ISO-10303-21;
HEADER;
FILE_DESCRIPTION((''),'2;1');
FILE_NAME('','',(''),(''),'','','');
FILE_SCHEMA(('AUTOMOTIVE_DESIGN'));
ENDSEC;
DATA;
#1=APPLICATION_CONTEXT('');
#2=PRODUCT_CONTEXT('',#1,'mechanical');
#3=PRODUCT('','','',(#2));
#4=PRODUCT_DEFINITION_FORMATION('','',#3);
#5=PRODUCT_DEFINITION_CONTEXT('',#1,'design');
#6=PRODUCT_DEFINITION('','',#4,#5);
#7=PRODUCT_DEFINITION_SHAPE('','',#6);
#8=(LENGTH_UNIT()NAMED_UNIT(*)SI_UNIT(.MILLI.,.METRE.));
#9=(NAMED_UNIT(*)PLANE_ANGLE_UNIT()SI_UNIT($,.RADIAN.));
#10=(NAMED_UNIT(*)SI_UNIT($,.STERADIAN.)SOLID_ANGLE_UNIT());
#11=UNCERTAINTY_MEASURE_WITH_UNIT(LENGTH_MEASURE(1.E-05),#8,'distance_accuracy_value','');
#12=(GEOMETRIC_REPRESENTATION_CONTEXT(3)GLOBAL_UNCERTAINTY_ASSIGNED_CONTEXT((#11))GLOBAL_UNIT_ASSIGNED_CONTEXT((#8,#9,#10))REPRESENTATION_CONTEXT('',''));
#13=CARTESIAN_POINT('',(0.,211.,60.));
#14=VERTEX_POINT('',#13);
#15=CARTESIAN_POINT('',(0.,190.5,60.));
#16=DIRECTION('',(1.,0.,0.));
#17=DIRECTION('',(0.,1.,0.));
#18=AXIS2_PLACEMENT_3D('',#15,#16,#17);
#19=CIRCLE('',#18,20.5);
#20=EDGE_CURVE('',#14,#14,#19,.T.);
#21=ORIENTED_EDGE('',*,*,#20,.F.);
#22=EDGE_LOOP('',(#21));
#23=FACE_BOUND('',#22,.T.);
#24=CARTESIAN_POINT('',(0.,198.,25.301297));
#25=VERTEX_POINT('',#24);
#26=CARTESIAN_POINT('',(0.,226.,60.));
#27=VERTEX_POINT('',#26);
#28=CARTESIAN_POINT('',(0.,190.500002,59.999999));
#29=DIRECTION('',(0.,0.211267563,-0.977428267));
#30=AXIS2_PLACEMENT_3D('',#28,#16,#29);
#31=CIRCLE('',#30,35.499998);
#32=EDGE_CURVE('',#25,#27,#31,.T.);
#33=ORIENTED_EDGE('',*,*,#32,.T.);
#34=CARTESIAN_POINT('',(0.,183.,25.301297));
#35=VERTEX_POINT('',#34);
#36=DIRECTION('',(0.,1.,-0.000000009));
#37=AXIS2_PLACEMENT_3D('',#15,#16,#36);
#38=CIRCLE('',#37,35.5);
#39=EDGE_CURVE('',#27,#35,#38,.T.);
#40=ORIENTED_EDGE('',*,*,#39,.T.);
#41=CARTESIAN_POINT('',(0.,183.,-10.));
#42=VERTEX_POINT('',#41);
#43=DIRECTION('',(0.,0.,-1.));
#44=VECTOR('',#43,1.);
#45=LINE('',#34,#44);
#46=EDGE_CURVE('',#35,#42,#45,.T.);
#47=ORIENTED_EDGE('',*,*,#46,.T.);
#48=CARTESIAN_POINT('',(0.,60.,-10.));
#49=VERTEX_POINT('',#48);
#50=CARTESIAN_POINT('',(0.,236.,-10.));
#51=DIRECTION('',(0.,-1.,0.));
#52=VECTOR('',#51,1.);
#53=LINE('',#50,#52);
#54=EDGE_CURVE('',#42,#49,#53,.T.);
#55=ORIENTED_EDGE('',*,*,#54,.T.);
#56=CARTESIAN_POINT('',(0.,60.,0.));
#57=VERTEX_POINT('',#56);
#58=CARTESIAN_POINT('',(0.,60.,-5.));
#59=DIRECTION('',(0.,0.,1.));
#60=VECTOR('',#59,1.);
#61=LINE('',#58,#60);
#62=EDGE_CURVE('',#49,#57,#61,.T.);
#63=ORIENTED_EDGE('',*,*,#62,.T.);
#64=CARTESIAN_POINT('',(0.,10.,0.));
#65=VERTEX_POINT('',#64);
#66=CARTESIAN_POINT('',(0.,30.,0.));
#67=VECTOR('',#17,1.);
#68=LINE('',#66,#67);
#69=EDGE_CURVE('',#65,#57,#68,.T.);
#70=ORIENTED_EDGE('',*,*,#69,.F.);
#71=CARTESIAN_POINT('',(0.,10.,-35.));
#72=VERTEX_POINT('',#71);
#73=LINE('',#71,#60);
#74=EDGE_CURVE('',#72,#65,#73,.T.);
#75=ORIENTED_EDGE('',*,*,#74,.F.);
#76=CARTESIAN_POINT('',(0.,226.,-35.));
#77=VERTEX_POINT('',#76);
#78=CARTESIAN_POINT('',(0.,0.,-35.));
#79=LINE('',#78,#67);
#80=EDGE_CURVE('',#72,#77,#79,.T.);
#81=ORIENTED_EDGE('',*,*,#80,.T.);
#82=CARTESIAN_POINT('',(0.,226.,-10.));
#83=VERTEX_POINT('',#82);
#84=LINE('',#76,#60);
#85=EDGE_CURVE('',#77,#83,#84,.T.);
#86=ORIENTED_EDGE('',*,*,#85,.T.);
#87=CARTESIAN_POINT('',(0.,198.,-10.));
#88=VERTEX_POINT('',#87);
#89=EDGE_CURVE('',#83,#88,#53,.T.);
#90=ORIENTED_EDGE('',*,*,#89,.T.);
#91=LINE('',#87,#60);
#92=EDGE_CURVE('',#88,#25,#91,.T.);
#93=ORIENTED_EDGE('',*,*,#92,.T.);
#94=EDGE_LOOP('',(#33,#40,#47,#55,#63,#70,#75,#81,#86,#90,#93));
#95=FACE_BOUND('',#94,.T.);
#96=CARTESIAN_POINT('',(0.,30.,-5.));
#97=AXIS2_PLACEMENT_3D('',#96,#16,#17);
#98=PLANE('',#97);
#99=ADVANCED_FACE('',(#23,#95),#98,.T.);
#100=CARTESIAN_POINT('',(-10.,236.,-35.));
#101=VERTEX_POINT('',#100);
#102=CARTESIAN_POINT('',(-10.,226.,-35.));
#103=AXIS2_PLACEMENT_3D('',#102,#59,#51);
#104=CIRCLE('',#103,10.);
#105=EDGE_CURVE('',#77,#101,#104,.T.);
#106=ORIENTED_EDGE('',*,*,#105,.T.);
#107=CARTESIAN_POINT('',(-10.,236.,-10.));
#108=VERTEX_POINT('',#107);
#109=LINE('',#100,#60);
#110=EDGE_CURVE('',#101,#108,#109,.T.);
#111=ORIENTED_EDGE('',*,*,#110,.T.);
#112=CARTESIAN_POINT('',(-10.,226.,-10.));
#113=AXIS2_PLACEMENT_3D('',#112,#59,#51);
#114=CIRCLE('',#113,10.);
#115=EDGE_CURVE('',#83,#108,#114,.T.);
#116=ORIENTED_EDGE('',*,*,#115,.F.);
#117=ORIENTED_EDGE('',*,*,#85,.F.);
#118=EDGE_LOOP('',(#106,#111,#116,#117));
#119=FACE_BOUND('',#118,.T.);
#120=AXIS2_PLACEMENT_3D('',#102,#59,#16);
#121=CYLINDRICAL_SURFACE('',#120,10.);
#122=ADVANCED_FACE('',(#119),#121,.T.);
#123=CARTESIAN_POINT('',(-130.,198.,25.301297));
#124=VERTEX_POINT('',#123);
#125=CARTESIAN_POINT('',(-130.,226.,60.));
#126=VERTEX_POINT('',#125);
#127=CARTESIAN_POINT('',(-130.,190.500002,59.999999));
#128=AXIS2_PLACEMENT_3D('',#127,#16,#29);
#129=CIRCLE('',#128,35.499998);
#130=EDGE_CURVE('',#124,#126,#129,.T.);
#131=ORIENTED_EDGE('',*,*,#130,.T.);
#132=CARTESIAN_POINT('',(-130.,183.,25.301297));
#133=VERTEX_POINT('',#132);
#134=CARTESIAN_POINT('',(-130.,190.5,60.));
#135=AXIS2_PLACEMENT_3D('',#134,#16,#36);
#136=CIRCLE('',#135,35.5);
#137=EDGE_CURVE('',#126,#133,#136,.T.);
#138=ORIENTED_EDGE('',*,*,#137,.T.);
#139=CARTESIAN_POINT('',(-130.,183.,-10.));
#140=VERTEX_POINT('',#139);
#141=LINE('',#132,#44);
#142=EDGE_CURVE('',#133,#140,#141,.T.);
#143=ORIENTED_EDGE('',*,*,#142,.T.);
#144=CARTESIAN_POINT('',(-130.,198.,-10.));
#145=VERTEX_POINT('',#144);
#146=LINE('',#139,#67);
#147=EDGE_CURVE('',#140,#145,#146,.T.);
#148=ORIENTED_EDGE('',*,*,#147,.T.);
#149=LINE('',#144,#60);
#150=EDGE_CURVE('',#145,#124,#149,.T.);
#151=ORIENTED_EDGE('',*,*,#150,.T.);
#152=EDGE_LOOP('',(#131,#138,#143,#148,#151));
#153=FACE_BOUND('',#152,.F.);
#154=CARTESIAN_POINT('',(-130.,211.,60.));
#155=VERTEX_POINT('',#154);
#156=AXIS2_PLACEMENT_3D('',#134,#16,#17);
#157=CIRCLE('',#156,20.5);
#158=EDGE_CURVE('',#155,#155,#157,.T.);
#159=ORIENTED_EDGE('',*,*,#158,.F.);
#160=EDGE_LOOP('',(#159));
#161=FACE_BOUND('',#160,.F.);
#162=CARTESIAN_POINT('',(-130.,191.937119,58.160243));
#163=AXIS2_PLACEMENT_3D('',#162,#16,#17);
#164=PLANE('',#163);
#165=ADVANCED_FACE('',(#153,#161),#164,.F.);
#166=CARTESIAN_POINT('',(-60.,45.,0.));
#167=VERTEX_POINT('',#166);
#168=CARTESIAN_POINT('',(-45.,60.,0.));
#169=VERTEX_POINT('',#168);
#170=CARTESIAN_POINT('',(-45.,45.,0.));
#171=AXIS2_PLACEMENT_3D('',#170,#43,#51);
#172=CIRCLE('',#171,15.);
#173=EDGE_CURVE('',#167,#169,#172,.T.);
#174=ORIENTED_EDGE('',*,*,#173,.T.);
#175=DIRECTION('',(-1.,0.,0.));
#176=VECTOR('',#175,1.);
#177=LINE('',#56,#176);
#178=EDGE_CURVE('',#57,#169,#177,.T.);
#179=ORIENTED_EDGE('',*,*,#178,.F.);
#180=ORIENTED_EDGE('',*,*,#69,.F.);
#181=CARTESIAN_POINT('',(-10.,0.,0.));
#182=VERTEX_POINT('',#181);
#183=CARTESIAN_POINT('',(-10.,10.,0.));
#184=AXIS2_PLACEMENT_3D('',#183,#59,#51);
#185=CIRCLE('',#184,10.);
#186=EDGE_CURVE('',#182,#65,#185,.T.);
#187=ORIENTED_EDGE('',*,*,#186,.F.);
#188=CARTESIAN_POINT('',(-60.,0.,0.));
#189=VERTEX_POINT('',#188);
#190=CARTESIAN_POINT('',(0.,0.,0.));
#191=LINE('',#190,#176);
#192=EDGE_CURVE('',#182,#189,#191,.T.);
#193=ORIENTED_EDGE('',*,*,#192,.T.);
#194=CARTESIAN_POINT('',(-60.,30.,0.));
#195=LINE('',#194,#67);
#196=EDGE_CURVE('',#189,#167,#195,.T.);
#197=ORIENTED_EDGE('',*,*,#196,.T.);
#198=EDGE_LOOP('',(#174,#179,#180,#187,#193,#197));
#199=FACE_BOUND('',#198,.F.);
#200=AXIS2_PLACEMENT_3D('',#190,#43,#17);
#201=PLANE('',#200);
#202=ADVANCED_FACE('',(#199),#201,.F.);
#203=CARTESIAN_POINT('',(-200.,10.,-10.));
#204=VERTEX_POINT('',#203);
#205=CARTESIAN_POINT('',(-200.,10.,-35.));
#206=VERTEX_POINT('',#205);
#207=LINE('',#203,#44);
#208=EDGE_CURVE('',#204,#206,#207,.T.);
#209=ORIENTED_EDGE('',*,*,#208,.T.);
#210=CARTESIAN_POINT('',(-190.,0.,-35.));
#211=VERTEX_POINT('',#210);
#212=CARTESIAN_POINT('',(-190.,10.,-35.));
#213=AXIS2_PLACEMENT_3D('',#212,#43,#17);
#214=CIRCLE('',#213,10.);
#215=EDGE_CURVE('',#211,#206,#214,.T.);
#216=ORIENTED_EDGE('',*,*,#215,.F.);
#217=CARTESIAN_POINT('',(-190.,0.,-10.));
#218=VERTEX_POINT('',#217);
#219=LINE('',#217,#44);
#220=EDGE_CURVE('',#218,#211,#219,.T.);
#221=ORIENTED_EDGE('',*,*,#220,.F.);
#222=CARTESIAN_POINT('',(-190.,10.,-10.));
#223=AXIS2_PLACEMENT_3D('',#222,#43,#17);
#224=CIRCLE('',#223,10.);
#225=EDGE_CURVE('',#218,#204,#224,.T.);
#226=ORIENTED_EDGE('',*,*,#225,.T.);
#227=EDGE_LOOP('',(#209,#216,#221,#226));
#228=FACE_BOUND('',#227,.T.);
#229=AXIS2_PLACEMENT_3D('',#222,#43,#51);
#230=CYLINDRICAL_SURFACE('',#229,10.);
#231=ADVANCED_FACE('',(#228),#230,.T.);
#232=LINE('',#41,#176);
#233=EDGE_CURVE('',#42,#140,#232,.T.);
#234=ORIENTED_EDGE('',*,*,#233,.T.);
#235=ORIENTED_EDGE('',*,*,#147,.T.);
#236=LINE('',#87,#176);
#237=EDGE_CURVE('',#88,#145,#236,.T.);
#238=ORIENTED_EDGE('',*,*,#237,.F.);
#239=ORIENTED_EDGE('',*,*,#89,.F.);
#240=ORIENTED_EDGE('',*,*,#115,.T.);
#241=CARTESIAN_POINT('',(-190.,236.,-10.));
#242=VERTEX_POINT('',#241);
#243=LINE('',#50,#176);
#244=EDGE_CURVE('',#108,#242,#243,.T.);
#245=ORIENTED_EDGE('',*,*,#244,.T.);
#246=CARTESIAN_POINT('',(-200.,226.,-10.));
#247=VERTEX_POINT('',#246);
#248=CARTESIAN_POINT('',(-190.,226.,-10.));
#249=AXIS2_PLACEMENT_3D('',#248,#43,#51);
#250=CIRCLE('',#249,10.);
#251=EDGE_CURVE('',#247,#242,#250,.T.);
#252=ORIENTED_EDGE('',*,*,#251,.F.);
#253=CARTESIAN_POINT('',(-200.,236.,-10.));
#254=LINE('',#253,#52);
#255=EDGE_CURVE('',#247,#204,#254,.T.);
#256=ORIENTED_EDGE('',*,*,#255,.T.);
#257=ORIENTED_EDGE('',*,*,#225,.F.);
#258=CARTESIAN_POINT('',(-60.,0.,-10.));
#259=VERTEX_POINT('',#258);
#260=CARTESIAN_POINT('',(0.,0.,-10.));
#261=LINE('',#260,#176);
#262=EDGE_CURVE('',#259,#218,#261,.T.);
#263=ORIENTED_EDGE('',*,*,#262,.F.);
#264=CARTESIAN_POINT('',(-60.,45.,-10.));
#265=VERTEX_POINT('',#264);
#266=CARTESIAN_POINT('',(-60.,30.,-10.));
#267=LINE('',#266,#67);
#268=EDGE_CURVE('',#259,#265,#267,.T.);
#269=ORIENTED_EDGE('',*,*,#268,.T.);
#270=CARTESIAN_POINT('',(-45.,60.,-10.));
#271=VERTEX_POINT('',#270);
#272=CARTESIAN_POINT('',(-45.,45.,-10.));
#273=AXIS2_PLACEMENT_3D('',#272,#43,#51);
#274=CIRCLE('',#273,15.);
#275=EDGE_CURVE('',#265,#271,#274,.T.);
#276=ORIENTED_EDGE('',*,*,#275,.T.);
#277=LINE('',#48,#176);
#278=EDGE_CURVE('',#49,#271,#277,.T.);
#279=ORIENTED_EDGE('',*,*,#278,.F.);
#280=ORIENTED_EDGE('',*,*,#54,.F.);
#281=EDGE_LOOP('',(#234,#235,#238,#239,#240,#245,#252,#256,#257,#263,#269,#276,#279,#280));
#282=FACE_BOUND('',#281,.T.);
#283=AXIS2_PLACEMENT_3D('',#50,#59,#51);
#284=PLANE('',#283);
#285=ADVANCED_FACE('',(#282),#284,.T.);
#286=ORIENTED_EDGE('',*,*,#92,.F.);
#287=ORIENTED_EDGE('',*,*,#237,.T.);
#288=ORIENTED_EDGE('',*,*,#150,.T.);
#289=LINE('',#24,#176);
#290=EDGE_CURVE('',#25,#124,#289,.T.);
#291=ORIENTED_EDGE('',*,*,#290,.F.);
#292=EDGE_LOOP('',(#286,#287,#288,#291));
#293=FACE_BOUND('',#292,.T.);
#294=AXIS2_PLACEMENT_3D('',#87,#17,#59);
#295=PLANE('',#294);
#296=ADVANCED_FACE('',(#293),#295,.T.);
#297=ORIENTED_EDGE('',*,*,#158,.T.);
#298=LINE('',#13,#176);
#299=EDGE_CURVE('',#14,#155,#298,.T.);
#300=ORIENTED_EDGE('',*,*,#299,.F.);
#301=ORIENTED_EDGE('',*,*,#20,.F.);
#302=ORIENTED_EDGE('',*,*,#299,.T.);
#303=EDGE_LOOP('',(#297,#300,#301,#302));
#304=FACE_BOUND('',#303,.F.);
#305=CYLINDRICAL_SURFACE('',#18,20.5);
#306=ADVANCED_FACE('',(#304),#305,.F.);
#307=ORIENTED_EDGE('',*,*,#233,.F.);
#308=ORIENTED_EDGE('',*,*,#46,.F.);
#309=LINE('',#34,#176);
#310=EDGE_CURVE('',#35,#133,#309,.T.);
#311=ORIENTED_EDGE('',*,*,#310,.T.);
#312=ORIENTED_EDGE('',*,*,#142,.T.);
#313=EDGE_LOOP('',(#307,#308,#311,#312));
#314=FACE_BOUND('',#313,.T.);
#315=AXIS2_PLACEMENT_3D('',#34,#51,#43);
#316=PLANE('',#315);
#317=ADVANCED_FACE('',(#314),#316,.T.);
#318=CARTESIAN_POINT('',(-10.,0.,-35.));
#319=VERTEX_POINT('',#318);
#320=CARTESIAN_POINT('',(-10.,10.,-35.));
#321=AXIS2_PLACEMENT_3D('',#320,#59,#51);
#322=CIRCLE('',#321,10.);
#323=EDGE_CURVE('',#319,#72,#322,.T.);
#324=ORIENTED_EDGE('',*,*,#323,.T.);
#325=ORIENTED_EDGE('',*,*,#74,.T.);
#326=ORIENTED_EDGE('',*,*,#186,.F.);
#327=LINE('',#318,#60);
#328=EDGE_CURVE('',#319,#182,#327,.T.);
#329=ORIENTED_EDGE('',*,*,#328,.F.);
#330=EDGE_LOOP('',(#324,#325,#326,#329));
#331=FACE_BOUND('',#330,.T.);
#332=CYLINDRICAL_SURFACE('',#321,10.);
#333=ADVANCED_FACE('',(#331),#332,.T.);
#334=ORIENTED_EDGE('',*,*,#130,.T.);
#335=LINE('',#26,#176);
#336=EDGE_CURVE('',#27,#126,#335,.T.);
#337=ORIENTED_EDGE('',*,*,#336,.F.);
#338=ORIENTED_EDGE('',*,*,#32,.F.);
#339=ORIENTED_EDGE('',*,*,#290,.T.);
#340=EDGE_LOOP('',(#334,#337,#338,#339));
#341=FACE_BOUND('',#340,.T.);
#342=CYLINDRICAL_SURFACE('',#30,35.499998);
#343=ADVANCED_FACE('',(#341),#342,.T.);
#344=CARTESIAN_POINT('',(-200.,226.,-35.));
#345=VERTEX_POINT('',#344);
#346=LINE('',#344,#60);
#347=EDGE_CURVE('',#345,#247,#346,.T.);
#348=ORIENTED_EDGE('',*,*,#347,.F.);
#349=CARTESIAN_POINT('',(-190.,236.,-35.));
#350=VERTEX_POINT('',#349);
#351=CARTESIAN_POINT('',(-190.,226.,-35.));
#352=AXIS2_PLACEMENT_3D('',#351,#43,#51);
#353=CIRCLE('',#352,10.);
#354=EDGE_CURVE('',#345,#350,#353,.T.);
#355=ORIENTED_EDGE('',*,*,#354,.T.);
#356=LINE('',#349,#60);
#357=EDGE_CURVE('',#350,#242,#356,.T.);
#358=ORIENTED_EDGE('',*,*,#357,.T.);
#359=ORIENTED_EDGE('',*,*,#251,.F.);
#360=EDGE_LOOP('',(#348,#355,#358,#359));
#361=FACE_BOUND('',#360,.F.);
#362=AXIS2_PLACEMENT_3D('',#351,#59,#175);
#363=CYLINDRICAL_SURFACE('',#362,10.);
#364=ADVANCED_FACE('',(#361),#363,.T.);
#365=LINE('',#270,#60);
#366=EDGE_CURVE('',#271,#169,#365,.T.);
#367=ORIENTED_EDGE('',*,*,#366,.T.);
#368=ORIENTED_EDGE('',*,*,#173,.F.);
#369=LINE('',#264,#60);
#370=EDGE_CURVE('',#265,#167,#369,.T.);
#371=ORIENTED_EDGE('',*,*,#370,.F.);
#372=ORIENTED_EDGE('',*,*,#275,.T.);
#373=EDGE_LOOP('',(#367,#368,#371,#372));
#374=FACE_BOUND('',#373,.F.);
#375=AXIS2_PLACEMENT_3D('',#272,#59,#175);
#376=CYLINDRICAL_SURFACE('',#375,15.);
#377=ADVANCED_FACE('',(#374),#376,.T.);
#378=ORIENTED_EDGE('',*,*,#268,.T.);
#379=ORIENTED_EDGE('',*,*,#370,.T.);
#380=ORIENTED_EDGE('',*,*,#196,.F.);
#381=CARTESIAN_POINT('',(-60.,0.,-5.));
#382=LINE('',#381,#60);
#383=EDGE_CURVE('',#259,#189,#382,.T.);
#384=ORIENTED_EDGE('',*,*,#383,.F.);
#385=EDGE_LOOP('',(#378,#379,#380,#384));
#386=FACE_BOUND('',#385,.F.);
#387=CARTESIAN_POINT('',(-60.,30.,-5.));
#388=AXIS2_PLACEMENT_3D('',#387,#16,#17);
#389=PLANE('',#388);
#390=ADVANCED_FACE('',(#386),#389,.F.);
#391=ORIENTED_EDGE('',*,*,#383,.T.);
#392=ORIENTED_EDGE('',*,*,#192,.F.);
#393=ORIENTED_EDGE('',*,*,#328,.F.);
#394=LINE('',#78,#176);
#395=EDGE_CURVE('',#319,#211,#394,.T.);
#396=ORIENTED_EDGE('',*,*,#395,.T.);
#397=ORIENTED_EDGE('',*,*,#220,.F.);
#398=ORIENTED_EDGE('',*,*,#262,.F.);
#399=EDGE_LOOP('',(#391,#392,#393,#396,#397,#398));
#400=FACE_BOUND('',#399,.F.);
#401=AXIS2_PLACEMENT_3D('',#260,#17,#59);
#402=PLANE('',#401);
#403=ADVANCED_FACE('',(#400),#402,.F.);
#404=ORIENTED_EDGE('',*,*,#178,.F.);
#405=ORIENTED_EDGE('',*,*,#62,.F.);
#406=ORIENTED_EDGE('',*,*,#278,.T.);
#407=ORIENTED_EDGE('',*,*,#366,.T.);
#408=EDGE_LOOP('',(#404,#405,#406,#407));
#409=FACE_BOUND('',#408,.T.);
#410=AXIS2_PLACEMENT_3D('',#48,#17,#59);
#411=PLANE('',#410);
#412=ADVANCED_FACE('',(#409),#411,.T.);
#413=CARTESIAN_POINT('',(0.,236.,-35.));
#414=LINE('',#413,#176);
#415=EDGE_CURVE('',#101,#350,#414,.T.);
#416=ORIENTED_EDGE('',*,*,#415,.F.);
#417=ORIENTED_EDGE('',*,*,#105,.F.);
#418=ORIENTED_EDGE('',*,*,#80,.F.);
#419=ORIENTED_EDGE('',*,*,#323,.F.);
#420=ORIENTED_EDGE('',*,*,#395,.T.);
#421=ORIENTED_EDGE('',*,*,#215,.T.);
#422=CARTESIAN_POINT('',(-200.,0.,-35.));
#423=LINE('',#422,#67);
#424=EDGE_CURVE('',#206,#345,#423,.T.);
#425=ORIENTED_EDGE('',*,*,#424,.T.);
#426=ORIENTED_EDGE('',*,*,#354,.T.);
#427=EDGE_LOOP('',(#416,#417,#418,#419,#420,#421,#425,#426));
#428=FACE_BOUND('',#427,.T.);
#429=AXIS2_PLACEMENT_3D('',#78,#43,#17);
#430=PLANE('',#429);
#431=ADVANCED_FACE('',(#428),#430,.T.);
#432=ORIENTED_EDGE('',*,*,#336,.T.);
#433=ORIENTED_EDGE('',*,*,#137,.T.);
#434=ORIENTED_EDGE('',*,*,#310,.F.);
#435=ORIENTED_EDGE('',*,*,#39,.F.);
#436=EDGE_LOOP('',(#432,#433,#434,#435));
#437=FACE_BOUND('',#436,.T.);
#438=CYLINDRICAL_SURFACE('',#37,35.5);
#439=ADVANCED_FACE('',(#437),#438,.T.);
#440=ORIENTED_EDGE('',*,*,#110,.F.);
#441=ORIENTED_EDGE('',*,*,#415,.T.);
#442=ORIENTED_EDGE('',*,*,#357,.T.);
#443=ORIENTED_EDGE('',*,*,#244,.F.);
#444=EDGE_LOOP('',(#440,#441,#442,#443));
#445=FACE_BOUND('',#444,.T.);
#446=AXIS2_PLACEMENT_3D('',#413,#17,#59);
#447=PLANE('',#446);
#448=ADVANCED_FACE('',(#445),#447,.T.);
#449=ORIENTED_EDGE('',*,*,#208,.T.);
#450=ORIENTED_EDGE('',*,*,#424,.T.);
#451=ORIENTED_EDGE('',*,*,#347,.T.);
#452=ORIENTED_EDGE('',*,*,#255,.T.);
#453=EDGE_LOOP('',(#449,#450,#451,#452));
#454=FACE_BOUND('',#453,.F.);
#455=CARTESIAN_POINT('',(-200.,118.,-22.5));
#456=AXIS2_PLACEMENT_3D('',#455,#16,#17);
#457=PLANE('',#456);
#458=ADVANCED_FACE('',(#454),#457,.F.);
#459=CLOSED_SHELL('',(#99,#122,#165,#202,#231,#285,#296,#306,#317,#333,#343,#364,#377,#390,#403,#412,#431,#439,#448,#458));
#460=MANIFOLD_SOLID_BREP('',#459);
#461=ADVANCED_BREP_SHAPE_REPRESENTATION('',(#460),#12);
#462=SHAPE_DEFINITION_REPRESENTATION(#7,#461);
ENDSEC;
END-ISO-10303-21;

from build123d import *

# Parameters (mm, degrees)
F1_DEPTH = 200
F0_W     = 60
F0_H     = 10
F2_DEPTH = 60
F0_R     = 20.5
F3_DEPTH = 130
F4_R     = 10
F5_R     = 15


with BuildPart() as f1:
    # F0 (on Right) → F1 (new body)
    with BuildSketch(Plane.YZ):
        Polygon((60, -10), (0, -10), (0, -35), (236, -35), (236, -10), (198, -10), (183, -10), align=None)
    extrude(amount=-F1_DEPTH)

    # F0 (on Right) → F2 (join)
    with BuildSketch(Plane.YZ):
        with Locations((30, -5)):
            Rectangle(F0_W, F0_H)
    extrude(amount=-F2_DEPTH)

    # F0 (on Right) → F3 (join)
    with BuildSketch(Plane.YZ):
        with BuildLine():
            ThreePointArc((226, 60), (168.206503, 87.62698), (183, 25.301297))
            ThreePointArc((183, 25.301297), (190.5, 24.5), (198, 25.301297))
            ThreePointArc((198, 25.301297), (218.12698, 37.706503), (226, 60))
        make_face()
        with Locations((190.5, 60)):
            Circle(F0_R, mode=Mode.SUBTRACT)
        with BuildLine():
            Line((183, 25.301297), (183, -10))
            Line((183, -10), (198, -10))
            Line((198, -10), (198, 25.301297))
            ThreePointArc((198, 25.301297), (190.5, 24.5), (183, 25.301297))
        make_face()
    extrude(amount=-F3_DEPTH)

    # F4
    f4_edges = [f1.edges().sort_by_distance(p)[0] for p in [
        (0, 0, -17.5),
        (-200, 0, -22.5),
        (0, 236, -22.5),
        (-200, 236, -22.5),
    ]]
    fillet(f4_edges, radius=F4_R)

    # F5
    f5_edges = [f1.edges().sort_by_distance(p)[0] for p in [
        (-60, 60, -5),
    ]]
    fillet(f5_edges, radius=F5_R)


solid = f1.part
